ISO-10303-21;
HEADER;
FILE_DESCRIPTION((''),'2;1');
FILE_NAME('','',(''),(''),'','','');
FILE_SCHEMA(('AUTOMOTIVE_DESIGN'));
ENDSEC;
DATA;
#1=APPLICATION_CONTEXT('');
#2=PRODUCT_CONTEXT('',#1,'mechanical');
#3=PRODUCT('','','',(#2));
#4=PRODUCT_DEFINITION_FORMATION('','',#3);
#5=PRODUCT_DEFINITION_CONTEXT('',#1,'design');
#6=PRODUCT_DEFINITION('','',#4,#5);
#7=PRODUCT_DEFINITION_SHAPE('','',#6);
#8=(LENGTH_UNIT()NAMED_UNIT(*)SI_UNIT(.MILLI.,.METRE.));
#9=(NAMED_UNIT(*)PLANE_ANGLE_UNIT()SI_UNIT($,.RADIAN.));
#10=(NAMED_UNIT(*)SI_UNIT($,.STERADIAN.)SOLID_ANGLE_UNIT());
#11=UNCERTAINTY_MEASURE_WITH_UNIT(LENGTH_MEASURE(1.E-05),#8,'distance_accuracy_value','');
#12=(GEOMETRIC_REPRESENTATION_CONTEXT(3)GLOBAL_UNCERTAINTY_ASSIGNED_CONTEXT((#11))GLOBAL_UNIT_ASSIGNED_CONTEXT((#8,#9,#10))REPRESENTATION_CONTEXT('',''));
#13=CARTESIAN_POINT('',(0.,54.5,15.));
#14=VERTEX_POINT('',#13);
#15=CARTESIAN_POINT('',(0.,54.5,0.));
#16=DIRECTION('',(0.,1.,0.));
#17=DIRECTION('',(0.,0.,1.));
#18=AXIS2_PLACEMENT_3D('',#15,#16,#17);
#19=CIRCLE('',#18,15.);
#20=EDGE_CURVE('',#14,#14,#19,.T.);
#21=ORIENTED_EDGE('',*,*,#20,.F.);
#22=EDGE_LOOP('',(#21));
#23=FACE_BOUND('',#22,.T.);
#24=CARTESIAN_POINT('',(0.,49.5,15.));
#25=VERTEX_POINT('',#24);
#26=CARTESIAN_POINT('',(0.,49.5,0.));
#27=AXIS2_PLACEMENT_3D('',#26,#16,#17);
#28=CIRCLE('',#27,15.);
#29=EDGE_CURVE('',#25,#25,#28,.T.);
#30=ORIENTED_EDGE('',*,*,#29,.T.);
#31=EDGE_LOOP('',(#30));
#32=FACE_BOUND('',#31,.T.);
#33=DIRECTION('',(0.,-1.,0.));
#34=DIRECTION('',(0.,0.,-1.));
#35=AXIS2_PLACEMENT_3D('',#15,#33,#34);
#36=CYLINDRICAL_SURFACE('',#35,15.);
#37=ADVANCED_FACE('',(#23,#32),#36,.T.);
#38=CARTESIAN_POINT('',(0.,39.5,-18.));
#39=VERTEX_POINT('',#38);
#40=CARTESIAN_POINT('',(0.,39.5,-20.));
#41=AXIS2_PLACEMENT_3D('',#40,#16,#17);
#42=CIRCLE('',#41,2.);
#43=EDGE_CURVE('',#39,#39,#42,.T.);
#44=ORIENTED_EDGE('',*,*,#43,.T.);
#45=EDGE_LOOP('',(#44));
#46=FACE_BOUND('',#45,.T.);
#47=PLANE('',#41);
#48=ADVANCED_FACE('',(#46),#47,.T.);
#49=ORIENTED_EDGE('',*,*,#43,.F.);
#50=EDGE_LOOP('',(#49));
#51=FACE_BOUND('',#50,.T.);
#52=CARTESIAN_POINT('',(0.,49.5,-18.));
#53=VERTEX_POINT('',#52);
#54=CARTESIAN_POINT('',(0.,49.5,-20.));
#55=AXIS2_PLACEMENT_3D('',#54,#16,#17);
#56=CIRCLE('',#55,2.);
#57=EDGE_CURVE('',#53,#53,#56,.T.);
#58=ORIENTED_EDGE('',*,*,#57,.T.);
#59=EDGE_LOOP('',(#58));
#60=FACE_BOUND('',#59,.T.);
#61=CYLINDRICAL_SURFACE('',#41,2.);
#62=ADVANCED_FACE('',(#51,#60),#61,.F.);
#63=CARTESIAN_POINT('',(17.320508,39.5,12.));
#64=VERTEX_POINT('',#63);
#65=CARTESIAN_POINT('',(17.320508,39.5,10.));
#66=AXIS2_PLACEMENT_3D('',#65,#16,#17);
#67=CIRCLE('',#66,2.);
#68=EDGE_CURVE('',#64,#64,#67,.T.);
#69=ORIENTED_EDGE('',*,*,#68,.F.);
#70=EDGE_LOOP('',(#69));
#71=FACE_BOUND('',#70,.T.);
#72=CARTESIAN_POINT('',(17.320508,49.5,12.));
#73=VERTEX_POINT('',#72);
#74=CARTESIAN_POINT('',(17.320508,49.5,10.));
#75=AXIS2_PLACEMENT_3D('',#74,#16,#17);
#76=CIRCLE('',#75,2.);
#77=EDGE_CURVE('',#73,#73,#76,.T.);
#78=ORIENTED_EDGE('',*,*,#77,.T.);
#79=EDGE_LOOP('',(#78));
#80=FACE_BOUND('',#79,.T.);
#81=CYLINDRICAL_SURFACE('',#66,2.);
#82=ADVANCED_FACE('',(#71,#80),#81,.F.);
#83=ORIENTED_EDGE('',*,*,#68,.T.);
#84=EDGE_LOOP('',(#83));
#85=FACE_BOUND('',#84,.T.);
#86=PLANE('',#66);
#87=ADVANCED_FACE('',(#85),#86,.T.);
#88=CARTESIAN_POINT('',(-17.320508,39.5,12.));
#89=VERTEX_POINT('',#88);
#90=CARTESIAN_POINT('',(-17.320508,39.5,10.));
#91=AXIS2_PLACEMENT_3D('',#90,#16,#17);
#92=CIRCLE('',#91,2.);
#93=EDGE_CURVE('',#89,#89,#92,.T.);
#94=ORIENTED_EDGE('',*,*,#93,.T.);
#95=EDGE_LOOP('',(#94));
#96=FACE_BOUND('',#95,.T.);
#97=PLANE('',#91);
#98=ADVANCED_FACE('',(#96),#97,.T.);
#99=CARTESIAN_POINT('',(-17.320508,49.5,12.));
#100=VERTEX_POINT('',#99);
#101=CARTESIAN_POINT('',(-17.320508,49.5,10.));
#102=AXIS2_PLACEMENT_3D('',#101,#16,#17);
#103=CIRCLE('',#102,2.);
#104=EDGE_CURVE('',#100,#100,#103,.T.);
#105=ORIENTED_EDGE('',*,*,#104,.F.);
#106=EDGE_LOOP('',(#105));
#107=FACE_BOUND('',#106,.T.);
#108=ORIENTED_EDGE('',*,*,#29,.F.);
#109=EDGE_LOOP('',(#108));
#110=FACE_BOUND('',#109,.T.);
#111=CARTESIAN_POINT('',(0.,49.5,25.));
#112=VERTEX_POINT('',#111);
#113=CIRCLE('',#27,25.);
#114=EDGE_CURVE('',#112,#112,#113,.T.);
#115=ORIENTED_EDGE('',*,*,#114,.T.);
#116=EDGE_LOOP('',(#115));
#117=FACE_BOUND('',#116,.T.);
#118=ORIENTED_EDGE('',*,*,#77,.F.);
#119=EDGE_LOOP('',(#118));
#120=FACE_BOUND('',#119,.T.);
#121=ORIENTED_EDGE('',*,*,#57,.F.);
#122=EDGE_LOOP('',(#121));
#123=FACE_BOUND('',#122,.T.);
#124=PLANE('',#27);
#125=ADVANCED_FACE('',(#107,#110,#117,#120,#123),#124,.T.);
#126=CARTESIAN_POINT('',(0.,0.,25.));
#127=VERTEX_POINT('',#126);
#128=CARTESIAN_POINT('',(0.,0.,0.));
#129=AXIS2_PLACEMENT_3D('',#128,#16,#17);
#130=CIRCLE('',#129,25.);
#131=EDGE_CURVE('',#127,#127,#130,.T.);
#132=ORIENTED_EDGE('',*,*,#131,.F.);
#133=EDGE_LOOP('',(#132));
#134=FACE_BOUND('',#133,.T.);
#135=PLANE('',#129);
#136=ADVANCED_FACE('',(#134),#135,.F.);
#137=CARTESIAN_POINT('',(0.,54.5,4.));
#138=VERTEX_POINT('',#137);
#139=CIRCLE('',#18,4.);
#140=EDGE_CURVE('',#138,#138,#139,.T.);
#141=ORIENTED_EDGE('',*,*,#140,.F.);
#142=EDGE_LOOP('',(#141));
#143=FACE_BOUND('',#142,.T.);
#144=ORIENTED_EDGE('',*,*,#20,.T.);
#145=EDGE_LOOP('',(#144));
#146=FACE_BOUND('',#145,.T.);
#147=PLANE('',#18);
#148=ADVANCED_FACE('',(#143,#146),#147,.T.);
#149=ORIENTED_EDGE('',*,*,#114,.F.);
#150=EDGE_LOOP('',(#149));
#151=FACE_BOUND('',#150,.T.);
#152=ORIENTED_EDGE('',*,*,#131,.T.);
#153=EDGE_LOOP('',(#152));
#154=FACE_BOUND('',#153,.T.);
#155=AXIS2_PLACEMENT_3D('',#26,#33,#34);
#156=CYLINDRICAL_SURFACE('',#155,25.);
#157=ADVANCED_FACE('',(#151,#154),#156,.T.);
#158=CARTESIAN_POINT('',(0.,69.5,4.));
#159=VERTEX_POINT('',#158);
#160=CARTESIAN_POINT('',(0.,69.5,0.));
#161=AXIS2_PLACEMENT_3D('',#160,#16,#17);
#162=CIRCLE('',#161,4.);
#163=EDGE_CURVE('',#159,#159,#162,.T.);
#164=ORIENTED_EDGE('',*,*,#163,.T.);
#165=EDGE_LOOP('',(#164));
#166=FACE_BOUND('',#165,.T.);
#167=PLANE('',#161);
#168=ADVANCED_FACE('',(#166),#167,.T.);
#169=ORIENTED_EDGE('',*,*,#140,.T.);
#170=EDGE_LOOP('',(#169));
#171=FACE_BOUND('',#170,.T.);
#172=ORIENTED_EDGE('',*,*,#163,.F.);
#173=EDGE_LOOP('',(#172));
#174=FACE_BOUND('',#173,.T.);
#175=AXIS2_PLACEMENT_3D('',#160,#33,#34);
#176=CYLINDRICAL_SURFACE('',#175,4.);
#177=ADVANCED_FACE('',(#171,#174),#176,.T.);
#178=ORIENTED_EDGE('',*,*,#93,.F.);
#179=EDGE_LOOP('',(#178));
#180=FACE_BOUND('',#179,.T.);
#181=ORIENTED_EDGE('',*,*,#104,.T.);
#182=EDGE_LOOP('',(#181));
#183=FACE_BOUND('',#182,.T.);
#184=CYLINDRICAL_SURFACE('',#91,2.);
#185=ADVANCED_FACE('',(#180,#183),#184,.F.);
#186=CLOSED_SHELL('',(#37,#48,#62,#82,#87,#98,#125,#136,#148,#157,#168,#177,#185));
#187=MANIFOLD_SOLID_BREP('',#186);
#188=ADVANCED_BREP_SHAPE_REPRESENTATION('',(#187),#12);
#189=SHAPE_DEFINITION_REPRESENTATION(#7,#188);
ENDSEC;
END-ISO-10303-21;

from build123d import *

# Parameters (mm, degrees)
SKETCH1_R           = 25
BOSS_EXTRUDE1_DEPTH = 49.5
SKETCH2_R           = 15
BOSS_EXTRUDE2_DEPTH = 5
SKETCH3_R           = 4
BOSS_EXTRUDE3_DEPTH = 15
SKETCH4_R           = 2
CUT_EXTRUDE1_DEPTH  = 10


with BuildPart() as part:
    # Sketch1 → Boss-Extrude1 (new body)
    with BuildSketch(Plane(origin=(0, 0, 0), x_dir=(1, 0, 0), z_dir=(0, 1, 0))):
        Circle(SKETCH1_R)
    extrude(amount=BOSS_EXTRUDE1_DEPTH)

    # Sketch2 → Boss-Extrude2 (add)
    with BuildSketch(Plane(origin=(0, 49.5, 0), x_dir=(1, 0, 0), z_dir=(0, 1, 0))):
        Circle(SKETCH2_R)
    extrude(amount=BOSS_EXTRUDE2_DEPTH)

    # Sketch3 → Boss-Extrude3 (add)
    with BuildSketch(Plane(origin=(0, 54.5, 0), x_dir=(1, 0, 0), z_dir=(0, 1, 0))):
        Circle(SKETCH3_R)
    extrude(amount=BOSS_EXTRUDE3_DEPTH)

    # Sketch4 → Cut-Extrude1 (cut)
    with BuildSketch(Plane(origin=(0, 49.5, 0), x_dir=(1, 0, 0), z_dir=(0, 1, 0))):
        with Locations((0, 20)):
            Circle(SKETCH4_R)
        with Locations((17.320508076, -10)):
            Circle(SKETCH4_R)
        with Locations((-17.320508076, -10)):
            Circle(SKETCH4_R)
    extrude(amount=-CUT_EXTRUDE1_DEPTH, mode=Mode.SUBTRACT)


solid = part.part
